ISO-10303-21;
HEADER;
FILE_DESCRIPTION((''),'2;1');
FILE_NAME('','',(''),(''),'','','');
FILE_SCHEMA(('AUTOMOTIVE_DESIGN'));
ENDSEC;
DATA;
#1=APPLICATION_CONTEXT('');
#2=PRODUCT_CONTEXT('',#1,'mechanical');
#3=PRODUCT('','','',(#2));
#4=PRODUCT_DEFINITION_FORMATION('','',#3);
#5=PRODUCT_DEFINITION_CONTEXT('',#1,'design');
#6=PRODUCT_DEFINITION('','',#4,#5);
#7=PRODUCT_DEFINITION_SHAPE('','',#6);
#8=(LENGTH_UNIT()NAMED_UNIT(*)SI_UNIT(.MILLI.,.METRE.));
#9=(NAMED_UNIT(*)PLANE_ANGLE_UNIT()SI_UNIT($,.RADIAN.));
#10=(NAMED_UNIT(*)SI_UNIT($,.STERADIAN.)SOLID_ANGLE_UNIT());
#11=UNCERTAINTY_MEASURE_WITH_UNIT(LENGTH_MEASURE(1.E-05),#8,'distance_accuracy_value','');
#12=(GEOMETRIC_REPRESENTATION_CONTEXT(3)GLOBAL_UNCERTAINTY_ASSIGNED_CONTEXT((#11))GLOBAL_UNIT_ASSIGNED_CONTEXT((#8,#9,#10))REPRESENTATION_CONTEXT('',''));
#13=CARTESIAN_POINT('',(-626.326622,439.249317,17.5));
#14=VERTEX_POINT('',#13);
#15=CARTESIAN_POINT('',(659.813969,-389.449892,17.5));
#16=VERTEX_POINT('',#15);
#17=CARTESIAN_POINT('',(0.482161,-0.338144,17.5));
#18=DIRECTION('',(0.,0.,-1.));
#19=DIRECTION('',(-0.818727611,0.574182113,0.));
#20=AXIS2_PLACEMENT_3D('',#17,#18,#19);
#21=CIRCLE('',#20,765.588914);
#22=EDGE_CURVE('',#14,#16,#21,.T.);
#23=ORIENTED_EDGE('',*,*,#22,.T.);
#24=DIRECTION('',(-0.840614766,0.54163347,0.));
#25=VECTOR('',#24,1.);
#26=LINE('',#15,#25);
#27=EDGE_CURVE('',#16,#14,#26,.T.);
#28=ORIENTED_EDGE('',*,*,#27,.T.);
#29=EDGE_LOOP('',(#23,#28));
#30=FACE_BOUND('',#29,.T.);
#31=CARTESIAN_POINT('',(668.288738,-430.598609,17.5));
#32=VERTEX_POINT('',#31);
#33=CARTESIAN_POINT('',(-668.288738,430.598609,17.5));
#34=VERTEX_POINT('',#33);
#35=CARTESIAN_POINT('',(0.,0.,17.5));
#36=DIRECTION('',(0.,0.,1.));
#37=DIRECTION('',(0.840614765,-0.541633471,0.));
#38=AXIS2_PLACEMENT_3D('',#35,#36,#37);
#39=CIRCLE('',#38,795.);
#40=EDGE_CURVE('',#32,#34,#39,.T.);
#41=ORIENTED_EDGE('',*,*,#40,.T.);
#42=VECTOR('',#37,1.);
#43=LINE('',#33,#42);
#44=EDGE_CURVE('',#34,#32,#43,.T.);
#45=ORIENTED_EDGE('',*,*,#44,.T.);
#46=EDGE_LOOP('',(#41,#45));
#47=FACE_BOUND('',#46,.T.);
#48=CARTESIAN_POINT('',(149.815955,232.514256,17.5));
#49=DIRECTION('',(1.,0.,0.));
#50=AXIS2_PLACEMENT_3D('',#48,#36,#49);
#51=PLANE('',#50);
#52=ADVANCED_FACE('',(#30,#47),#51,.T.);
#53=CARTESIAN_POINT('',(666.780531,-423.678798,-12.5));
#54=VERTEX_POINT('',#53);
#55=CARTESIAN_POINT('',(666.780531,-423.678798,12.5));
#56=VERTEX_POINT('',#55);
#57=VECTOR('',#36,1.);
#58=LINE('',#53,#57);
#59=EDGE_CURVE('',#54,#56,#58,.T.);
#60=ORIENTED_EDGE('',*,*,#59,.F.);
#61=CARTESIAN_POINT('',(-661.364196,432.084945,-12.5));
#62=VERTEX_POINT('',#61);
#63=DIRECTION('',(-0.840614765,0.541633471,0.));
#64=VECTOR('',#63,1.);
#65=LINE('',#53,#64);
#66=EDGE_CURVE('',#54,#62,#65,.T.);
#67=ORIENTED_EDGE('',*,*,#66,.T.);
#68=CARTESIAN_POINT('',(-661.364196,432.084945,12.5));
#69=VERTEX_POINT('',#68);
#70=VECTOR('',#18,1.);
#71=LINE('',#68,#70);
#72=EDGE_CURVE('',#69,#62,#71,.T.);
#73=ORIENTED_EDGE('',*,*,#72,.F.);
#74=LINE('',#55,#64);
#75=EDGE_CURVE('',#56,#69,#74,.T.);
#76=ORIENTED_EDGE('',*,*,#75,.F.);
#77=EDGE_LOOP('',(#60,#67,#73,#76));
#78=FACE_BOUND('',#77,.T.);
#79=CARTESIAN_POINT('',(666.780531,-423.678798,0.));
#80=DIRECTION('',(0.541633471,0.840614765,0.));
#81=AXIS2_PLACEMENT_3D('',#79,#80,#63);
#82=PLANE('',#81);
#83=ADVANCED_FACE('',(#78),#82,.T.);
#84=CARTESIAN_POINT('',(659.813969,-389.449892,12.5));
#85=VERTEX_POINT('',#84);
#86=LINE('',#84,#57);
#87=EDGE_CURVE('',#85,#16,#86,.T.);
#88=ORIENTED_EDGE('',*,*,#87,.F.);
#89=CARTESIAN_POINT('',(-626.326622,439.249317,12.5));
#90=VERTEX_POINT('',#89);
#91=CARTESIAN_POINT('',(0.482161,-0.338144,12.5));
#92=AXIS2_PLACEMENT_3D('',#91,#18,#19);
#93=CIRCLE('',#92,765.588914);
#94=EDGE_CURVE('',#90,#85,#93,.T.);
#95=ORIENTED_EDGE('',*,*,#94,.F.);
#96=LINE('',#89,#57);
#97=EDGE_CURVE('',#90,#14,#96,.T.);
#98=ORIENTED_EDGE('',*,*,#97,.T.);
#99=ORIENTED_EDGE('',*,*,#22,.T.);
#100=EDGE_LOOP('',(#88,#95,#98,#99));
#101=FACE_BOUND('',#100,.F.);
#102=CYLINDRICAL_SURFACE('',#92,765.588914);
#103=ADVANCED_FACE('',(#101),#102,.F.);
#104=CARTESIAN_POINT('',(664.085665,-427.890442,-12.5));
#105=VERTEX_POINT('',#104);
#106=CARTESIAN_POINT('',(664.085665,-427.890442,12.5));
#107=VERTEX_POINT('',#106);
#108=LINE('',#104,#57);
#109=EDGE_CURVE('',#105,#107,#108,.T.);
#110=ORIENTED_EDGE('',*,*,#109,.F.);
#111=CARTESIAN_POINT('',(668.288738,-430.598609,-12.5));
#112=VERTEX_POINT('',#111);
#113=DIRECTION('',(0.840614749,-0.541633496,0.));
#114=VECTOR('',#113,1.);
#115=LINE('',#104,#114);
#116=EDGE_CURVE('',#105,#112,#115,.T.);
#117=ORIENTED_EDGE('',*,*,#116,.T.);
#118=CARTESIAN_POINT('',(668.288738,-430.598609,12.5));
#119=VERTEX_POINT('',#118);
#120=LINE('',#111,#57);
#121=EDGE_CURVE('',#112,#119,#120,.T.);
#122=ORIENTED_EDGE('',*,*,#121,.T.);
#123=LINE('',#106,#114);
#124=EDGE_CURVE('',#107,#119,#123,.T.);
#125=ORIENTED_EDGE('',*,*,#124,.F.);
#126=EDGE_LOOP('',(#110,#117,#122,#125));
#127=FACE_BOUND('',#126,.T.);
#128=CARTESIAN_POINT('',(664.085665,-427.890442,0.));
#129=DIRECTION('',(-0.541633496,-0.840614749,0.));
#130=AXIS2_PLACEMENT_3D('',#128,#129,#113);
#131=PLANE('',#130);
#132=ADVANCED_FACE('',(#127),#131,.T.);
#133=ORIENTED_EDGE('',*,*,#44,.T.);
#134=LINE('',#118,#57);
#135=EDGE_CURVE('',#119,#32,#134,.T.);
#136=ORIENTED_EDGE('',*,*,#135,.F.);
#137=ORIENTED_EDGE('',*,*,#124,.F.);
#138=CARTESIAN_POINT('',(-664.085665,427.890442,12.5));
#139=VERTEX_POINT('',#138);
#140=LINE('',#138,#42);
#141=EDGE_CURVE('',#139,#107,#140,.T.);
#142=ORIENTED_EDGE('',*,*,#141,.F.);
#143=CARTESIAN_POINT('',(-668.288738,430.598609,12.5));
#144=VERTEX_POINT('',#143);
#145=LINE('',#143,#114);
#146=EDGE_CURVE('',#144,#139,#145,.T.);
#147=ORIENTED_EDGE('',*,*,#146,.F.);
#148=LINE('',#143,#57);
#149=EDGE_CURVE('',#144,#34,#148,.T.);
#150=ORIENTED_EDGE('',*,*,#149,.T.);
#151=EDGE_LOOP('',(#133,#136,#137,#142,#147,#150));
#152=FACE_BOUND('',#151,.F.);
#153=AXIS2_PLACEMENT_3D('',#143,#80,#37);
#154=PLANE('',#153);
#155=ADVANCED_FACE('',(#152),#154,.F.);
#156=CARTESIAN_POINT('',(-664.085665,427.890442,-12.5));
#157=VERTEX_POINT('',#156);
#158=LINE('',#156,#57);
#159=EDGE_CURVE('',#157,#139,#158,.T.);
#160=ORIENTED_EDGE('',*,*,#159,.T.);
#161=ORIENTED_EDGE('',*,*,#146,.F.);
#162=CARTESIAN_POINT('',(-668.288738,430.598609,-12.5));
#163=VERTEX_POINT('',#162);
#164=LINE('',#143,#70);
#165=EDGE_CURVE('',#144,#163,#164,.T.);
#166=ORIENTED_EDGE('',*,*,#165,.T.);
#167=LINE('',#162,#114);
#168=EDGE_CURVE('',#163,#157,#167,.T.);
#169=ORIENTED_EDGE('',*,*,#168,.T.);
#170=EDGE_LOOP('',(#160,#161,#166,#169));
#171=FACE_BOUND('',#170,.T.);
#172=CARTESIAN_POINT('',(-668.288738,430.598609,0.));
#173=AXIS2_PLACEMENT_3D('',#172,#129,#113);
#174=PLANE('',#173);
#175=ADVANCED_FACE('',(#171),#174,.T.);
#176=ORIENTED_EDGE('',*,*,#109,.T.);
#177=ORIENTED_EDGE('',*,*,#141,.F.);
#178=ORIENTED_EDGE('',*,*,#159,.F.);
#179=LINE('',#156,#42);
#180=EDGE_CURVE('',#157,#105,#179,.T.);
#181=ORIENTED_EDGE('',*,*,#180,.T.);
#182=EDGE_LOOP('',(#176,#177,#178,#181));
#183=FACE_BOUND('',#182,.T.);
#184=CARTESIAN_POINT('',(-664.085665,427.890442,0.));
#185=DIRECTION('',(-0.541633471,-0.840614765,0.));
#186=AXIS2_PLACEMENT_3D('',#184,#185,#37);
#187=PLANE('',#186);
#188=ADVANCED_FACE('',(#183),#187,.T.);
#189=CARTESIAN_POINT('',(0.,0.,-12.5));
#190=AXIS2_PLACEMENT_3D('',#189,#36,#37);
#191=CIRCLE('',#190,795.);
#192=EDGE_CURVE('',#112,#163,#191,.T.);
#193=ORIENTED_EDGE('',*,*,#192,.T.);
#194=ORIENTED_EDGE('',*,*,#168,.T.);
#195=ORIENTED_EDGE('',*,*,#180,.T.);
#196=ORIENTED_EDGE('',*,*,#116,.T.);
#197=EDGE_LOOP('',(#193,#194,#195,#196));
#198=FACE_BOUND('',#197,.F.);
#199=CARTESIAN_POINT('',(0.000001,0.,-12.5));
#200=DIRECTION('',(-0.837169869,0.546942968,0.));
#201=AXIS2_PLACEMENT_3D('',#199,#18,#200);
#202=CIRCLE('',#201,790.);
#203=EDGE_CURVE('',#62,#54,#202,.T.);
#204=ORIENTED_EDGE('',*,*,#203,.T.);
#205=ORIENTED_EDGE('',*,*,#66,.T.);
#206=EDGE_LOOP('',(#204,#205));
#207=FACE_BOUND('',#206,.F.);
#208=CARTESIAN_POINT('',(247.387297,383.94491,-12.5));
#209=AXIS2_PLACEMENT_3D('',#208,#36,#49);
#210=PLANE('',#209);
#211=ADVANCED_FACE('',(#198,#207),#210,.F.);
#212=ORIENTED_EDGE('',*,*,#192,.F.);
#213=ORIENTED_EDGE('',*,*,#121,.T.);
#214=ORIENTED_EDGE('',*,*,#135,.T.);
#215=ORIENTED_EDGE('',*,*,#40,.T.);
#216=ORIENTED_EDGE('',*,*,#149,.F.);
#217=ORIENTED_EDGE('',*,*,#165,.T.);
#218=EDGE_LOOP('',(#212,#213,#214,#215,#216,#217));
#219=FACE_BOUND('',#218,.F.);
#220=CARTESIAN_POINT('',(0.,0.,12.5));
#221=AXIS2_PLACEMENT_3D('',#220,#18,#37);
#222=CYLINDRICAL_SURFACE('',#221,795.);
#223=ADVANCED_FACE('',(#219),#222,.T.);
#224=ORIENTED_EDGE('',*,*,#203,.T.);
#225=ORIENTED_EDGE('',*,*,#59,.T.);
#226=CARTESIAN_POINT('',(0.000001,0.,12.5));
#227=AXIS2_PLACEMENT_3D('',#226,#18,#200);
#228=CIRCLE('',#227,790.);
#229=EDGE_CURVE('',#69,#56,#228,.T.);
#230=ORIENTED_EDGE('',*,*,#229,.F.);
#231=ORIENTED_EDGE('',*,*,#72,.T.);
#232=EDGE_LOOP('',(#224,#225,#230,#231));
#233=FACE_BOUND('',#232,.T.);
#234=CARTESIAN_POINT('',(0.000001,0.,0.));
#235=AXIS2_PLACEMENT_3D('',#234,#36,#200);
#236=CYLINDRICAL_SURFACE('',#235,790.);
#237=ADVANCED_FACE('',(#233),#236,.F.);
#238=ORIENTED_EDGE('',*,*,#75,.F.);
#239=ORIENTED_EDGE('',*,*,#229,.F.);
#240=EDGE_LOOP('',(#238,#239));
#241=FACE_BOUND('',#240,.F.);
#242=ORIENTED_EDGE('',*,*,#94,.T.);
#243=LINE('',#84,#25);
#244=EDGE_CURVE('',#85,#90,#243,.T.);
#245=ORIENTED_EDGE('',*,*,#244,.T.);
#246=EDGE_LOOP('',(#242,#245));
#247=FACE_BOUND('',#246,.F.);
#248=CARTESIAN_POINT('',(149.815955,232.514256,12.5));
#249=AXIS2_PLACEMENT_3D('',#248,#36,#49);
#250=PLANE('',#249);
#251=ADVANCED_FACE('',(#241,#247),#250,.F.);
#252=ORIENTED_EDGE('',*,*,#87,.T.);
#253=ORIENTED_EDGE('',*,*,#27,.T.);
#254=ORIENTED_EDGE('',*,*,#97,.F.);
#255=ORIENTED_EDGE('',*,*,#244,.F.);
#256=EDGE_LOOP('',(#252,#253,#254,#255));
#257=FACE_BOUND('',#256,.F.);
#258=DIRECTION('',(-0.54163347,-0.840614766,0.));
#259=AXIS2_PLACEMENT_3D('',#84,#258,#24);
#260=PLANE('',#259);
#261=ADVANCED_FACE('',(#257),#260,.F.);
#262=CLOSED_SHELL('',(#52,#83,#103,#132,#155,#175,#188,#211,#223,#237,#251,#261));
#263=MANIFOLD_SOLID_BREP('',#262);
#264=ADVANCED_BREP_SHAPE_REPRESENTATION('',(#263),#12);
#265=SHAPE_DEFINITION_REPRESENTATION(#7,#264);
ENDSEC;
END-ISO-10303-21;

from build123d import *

# Parameters (mm, degrees)
F1_DEPTH = 12.5
F4_DEPTH = 5


with BuildPart() as f1:
    # F0 (on Top) → F1 (new body, symmetric)
    with BuildSketch(Plane.XY):
        with BuildLine():
            Line((664.085665, -427.890442), (668.288738, -430.598609))
            ThreePointArc((668.288738, -430.598609), (430.598609, 668.288738), (-668.288738, 430.598609))
            Line((-668.288738, 430.598609), (-664.085665, 427.890442))
            ThreePointArc((-664.085665, 427.890442), (-662.728249, 429.989847), (-661.364196, 432.084945))
            ThreePointArc((-661.364196, 432.084945), (427.890442, 664.085665), (666.780531, -423.678798))
            ThreePointArc((666.780531, -423.678798), (665.43643, -425.786752), (664.085665, -427.890442))
        make_face()
        with BuildLine():
            Line((0, 0), (664.085665, -427.890442))
            ThreePointArc((664.085665, -427.890442), (665.43643, -425.786752), (666.780531, -423.678798))
            Line((666.780531, -423.678798), (-661.364196, 432.084945))
            ThreePointArc((-661.364196, 432.084945), (-662.728249, 429.989847), (-664.085665, 427.890442))
            Line((-664.085665, 427.890442), (0, 0))
        make_face()
    extrude(amount=F1_DEPTH, both=True)

    # F3 (on face) + F2 (on face) → F4 (join)
    with BuildSketch(Plane.XY.offset(12.5)):
        with BuildLine():
            Line((-661.364196, 432.084945), (666.780531, -423.678798))
            ThreePointArc((666.780531, -423.678798), (427.890442, 664.085665), (-661.364196, 432.084945))
        make_face()
        with BuildLine():
            Line((659.813969, -389.449892), (-626.326622, 439.249317))
            ThreePointArc((-626.326622, 439.249317), (415.150741, 643.227202), (659.813969, -389.449892))
        make_face(mode=Mode.SUBTRACT)
    with BuildSketch(Plane.XY.offset(12.5)):
        with BuildLine():
            ThreePointArc((668.288738, -430.598609), (430.598609, 668.288738), (-668.288738, 430.598609))
            Line((-668.288738, 430.598609), (668.288738, -430.598609))
        make_face()
        with BuildLine():
            ThreePointArc((-661.364196, 432.084945), (427.890442, 664.085665), (666.780531, -423.678798))
            Line((666.780531, -423.678798), (-661.364196, 432.084945))
        make_face(mode=Mode.SUBTRACT)
    extrude(amount=F4_DEPTH)


solid = f1.part
